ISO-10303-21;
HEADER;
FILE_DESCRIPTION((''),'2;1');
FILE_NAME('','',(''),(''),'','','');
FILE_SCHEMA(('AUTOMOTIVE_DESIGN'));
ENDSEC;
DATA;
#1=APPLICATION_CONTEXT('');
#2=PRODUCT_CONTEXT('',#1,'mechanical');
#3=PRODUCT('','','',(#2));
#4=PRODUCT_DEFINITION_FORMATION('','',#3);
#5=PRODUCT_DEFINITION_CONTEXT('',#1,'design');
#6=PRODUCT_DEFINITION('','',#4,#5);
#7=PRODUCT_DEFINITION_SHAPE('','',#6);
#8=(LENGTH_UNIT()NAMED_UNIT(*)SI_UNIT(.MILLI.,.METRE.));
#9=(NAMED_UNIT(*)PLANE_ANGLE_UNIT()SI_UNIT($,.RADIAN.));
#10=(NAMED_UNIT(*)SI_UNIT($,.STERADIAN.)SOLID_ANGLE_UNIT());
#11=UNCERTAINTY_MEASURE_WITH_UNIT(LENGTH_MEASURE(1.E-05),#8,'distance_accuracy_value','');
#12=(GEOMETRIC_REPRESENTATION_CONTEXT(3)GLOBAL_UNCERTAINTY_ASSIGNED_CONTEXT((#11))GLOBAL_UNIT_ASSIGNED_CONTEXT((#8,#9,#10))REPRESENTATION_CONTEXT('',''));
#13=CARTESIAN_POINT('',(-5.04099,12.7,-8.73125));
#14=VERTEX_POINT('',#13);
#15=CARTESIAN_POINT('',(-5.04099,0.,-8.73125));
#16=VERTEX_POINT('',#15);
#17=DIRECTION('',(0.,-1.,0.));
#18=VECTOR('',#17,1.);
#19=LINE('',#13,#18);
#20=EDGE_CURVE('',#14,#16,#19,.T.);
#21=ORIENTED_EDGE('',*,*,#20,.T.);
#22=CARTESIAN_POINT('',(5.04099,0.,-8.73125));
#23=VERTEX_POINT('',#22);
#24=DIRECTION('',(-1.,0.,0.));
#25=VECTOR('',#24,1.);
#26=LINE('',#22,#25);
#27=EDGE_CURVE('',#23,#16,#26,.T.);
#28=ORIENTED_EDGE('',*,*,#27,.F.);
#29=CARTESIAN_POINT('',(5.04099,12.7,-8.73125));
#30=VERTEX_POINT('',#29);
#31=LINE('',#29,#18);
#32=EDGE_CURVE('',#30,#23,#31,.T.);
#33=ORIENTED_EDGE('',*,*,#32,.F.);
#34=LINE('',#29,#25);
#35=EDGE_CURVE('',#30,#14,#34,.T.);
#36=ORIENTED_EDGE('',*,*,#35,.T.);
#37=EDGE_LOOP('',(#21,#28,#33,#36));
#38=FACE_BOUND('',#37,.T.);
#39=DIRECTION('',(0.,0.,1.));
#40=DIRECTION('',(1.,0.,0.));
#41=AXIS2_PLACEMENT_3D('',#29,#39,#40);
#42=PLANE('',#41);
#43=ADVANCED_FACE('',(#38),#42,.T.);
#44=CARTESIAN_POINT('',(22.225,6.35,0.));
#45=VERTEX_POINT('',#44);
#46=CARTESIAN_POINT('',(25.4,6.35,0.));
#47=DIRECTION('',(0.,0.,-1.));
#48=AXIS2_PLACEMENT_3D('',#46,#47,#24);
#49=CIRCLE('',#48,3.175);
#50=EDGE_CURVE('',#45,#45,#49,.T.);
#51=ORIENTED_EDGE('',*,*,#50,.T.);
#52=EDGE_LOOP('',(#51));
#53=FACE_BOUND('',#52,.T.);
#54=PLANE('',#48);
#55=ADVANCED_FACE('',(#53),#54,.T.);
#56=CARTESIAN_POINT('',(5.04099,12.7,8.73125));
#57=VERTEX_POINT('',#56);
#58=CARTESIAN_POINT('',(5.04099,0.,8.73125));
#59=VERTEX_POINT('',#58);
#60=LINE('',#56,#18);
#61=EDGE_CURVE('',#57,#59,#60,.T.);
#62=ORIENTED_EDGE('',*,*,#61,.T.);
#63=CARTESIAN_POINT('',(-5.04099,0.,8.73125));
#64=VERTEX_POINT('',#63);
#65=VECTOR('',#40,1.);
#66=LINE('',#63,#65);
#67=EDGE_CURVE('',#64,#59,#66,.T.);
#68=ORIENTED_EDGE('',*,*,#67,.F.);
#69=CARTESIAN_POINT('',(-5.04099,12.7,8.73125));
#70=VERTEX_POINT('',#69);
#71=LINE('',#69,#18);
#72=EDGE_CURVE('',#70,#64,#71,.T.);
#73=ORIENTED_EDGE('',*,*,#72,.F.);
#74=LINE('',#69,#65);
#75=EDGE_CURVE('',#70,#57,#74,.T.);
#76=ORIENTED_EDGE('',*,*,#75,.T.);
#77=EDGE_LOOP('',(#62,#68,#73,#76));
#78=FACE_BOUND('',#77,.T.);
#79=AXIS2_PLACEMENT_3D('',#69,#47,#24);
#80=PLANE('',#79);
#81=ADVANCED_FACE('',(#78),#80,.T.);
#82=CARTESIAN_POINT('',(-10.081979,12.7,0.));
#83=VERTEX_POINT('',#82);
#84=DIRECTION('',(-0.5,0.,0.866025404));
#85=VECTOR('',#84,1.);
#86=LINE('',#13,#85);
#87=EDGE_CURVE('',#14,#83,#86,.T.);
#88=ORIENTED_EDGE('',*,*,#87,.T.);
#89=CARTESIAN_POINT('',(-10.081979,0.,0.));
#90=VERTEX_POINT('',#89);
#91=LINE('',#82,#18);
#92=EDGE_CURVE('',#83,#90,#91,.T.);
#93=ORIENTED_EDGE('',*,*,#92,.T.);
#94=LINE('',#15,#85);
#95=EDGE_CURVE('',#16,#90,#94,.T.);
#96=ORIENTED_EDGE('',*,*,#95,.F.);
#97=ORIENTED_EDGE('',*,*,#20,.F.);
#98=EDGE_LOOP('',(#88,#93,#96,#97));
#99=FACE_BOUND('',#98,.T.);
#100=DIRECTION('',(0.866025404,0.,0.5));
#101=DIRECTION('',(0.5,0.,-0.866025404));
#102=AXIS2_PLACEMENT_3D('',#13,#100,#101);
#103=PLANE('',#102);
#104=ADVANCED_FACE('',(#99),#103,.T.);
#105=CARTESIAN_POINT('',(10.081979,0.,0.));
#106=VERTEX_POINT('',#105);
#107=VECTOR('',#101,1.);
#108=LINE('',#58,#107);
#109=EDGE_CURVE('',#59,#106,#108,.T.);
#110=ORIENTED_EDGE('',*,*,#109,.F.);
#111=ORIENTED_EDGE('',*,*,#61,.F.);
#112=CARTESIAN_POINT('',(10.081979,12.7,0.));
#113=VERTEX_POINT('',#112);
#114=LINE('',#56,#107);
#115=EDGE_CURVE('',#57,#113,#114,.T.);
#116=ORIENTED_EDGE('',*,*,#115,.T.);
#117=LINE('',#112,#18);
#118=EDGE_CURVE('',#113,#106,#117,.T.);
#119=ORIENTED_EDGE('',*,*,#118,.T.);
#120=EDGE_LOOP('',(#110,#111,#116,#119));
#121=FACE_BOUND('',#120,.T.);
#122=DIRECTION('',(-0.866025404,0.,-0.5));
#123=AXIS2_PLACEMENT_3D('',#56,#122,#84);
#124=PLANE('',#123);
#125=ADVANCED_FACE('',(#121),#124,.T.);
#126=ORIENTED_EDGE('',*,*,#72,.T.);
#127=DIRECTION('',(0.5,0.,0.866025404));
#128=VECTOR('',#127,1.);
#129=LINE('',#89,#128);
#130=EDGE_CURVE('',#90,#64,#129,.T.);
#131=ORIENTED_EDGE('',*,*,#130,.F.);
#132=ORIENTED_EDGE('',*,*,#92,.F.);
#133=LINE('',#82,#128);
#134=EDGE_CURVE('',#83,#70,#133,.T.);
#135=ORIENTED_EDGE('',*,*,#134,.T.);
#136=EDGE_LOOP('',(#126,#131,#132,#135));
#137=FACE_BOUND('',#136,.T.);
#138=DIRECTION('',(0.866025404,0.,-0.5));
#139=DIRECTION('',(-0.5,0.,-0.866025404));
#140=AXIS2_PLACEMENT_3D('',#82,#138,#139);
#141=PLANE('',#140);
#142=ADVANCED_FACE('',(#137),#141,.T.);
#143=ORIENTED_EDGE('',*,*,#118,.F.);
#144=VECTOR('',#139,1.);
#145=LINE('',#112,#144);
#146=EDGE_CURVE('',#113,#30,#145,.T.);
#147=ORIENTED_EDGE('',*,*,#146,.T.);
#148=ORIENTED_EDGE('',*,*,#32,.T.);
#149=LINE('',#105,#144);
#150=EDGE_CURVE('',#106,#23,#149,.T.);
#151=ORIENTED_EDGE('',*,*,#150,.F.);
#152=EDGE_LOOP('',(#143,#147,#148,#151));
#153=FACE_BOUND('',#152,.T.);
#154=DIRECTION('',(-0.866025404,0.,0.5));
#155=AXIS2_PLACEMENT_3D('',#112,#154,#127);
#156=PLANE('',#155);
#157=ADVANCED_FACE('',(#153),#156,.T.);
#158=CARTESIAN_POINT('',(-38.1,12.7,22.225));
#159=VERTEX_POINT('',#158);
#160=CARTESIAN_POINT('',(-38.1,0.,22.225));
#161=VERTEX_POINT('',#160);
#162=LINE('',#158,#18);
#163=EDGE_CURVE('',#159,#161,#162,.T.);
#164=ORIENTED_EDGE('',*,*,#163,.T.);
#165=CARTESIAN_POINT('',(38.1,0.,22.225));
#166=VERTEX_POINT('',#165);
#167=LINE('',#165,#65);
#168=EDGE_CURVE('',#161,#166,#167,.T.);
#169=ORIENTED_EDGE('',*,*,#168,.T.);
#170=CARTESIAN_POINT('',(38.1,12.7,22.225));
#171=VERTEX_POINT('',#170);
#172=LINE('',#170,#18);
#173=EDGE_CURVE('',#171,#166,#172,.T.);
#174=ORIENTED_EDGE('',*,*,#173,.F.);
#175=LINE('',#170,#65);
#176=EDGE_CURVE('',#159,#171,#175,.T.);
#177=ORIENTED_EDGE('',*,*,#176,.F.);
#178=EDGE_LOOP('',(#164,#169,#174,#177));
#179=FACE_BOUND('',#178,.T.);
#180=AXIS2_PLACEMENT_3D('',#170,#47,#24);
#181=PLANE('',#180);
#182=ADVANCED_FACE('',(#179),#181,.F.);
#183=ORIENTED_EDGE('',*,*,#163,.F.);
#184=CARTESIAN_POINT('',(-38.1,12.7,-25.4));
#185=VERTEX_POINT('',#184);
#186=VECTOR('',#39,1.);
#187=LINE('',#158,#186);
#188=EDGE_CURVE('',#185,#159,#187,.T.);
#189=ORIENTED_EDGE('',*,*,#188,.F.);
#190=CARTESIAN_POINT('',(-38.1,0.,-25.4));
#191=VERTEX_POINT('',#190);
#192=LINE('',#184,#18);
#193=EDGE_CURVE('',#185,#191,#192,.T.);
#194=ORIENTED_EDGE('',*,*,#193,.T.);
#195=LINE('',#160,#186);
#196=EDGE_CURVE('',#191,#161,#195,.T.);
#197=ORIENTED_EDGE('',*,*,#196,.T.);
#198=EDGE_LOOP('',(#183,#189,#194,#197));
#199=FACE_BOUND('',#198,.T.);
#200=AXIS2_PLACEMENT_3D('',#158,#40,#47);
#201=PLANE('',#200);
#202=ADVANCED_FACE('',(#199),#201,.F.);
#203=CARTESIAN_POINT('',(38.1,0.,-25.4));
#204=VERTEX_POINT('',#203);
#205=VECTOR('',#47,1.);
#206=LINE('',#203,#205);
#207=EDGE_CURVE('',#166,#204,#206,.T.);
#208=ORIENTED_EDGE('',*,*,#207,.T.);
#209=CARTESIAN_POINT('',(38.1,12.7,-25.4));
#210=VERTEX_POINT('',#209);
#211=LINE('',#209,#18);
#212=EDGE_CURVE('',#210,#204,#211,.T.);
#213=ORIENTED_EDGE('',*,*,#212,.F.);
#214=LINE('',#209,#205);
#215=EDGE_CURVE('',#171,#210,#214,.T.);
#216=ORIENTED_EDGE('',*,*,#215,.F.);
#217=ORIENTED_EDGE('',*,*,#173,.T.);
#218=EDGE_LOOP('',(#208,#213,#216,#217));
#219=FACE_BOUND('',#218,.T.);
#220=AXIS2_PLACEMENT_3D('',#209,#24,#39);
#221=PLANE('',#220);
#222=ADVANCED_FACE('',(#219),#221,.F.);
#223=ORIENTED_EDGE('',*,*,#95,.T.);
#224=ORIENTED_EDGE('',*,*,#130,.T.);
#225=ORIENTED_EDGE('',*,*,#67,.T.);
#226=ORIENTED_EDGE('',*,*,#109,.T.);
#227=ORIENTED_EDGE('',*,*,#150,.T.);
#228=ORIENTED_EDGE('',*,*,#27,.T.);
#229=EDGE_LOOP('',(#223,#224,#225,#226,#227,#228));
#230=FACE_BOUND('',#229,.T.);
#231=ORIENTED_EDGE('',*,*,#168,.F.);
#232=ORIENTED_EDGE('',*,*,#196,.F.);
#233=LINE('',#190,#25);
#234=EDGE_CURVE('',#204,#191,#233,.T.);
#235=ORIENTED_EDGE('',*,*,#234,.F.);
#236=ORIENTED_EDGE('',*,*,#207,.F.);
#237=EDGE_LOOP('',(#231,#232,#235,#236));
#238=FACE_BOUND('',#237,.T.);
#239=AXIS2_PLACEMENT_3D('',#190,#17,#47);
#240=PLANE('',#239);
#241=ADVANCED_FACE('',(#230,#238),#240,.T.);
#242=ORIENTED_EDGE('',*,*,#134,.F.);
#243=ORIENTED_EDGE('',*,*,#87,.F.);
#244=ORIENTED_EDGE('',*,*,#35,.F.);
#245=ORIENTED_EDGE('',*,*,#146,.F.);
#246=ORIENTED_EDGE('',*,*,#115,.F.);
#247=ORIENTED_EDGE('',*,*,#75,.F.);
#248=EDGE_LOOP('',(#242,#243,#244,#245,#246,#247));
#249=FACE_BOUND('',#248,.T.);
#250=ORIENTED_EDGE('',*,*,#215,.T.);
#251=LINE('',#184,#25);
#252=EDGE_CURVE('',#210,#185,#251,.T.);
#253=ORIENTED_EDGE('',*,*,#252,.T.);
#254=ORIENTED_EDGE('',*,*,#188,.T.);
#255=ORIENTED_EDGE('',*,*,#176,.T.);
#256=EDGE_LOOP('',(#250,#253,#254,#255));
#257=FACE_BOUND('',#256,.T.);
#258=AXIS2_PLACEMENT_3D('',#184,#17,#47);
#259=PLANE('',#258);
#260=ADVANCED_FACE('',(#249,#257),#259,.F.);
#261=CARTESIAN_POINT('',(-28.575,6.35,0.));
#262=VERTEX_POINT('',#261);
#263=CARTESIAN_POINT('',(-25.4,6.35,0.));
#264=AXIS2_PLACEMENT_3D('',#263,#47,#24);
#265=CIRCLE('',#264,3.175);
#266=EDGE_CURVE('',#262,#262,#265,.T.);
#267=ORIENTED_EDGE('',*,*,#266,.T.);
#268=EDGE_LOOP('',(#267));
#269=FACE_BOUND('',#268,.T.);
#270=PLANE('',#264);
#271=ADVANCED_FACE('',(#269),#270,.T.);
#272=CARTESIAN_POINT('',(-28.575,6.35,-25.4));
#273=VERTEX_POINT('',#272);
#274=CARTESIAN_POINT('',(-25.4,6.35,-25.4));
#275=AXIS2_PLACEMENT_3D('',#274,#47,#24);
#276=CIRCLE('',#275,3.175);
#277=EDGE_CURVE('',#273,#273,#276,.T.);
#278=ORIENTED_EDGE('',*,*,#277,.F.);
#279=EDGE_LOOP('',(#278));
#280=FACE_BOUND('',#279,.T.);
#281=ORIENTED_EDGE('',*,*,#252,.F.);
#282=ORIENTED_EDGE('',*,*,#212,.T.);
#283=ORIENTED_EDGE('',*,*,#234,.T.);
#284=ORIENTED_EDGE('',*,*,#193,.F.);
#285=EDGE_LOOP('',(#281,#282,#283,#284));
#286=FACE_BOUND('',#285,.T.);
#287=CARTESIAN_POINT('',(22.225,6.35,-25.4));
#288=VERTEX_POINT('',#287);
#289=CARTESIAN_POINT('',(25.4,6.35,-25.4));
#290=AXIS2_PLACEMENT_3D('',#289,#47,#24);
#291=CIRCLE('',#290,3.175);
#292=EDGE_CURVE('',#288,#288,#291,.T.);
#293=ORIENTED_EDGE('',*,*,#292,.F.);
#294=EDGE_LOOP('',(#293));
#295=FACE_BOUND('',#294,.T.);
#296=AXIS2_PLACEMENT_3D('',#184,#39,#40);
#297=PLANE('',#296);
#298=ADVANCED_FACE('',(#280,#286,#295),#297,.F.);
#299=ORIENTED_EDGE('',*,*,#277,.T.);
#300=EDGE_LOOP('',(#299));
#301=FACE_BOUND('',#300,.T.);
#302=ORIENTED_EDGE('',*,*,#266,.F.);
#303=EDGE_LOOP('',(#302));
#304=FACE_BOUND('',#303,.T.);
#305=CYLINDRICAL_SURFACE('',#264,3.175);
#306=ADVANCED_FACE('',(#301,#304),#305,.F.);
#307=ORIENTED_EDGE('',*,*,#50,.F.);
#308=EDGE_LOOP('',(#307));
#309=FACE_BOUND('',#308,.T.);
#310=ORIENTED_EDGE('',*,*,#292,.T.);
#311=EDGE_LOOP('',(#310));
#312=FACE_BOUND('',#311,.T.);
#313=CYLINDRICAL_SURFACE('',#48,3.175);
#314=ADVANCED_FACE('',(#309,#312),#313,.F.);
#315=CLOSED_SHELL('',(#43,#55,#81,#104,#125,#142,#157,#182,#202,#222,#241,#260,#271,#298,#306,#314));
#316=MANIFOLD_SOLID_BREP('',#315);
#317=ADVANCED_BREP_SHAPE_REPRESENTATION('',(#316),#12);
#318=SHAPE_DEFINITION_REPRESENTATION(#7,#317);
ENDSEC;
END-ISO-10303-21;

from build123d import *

# Parameters (mm, degrees)
SKETCH1_W           = 76.2
SKETCH1_H           = 47.625
BOSS_EXTRUDE1_DEPTH = 12.7
SKETCH2_R           = 3.175
CUT_EXTRUDE1_DEPTH  = 25.4


with BuildPart() as part:
    # Sketch1 → Boss-Extrude1 (new body)
    with BuildSketch(Plane(origin=(0, 0, 0), x_dir=(1, 0, 0), z_dir=(0, 1, 0))):
        with Locations((0, 1.5875)):
            Rectangle(SKETCH1_W, SKETCH1_H)
        Polygon((10.081979076, 0), (5.040989538, 8.73125), (-5.040989538, 8.73125), (-10.081979076, 0), (-5.040989538, -8.73125), (5.040989538, -8.73125), align=None, mode=Mode.SUBTRACT)
    extrude(amount=BOSS_EXTRUDE1_DEPTH)

    # Sketch2 → Cut-Extrude1 (cut)
    with BuildSketch(Plane(origin=(0, 0, -25.4), x_dir=(-1, 0, 0), z_dir=(0, 0, -1))):
        with Locations((-25.4, 6.35)):
            Circle(SKETCH2_R)
        with Locations((25.4, 6.35)):
            Circle(SKETCH2_R)
    extrude(amount=-CUT_EXTRUDE1_DEPTH, mode=Mode.SUBTRACT)


solid = part.part
